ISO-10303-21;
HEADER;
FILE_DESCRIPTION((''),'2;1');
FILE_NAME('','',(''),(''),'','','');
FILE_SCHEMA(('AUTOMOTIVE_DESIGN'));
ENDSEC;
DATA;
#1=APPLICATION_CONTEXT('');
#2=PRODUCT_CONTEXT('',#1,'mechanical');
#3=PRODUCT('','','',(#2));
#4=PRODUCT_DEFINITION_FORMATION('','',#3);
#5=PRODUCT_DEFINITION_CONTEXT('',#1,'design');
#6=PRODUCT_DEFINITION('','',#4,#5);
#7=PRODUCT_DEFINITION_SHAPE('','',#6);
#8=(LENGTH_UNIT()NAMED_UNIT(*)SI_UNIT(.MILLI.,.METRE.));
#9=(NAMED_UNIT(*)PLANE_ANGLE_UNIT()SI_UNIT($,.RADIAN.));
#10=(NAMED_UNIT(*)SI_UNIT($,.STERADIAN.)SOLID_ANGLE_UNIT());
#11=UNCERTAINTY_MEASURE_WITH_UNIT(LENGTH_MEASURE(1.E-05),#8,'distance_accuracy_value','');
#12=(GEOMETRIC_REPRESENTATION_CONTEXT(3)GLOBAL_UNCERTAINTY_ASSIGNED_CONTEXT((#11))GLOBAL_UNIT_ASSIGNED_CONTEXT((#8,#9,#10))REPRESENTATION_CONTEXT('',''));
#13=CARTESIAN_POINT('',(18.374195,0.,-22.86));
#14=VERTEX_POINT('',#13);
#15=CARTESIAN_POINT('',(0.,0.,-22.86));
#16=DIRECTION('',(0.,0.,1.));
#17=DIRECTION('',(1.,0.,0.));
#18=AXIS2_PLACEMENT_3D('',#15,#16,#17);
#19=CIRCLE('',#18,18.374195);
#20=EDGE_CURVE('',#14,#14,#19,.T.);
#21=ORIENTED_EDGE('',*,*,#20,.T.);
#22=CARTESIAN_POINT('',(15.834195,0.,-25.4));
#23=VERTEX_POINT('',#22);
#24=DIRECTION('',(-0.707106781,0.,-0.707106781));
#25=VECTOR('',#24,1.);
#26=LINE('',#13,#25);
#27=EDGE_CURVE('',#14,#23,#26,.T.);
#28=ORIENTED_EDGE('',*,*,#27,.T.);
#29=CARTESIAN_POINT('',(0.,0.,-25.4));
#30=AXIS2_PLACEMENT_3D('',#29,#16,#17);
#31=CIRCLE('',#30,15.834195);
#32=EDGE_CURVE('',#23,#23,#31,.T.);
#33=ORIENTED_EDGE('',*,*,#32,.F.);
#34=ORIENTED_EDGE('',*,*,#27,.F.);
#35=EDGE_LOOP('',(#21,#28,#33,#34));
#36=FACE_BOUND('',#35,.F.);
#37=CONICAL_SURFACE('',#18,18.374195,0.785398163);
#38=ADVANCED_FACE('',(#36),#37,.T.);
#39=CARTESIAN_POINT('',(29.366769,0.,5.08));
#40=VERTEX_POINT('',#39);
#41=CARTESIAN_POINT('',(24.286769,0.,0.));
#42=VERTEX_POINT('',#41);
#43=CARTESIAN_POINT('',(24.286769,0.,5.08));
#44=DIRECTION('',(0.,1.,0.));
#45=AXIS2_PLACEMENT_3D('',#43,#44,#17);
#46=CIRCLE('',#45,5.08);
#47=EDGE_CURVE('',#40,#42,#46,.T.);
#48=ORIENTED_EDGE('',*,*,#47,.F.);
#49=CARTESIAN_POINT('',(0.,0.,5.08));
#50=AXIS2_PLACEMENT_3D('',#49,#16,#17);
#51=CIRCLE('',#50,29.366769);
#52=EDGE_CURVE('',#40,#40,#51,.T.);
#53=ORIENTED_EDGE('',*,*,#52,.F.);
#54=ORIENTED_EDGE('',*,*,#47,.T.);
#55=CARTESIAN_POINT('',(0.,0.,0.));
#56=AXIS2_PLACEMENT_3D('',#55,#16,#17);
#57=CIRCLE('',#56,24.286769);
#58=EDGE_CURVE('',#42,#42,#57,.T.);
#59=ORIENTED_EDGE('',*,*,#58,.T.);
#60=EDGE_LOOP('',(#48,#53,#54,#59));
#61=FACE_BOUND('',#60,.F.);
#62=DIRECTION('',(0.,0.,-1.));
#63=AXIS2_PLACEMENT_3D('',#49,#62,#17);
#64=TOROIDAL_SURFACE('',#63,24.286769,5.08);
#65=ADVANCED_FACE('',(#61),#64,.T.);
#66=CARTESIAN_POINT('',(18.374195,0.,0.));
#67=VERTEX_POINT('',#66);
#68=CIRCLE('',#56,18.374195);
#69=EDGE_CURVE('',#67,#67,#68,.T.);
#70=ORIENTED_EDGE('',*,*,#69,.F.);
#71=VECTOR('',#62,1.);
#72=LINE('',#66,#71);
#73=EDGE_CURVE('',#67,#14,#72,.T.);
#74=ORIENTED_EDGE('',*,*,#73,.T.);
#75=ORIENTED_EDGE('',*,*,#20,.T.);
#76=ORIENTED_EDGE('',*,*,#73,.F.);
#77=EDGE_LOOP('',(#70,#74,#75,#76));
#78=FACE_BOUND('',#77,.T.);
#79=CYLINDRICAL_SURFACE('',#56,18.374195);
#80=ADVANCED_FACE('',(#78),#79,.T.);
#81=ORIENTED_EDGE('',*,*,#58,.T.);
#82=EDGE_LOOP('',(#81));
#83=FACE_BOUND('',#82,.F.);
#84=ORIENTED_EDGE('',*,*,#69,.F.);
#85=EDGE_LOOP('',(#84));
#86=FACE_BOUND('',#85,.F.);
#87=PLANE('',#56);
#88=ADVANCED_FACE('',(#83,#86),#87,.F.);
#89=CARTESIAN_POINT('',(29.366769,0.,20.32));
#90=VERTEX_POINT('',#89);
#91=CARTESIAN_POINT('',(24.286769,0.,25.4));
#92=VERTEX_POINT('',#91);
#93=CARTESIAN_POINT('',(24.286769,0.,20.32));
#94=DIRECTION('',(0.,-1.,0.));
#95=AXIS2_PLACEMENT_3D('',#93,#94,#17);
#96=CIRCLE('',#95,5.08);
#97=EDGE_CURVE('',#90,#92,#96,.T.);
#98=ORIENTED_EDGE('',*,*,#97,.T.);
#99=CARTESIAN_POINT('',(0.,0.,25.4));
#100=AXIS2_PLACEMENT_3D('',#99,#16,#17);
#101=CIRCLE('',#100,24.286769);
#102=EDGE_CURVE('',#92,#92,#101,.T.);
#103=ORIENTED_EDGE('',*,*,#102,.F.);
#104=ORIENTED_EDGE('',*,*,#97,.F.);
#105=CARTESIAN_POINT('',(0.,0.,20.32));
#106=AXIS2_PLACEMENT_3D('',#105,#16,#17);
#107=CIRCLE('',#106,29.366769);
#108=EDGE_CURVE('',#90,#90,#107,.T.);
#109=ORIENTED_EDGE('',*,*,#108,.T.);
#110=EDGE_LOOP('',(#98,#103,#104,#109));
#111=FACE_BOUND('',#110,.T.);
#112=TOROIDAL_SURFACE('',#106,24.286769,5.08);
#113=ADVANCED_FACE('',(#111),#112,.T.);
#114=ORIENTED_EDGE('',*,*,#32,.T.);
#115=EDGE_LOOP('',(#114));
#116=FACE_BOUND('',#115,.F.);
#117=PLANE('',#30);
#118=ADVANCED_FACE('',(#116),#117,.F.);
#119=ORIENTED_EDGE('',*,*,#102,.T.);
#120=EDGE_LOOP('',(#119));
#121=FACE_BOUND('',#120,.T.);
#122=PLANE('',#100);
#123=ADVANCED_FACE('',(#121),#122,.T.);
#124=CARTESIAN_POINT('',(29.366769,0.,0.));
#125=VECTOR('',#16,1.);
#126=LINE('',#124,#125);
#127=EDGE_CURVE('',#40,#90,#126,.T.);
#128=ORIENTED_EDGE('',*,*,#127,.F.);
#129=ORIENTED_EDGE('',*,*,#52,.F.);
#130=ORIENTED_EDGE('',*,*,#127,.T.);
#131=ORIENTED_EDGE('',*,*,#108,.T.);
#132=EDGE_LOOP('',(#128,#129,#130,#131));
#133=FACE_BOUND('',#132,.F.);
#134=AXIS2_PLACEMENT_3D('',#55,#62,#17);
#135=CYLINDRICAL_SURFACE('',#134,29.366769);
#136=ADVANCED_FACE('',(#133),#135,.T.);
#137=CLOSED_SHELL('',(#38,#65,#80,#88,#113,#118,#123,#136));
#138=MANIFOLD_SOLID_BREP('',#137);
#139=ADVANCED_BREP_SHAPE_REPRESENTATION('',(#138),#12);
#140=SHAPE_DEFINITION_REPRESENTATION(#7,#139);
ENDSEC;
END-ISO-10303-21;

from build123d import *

# Parameters (mm, degrees)
F0_R     = 18.374195
F1_DEPTH = 25.4
F2_R     = 29.366769
F3_DEPTH = 25.4
F4_R     = 5.08
F5_R     = 5.08
F6_SIZE  = 2.54


with BuildPart() as f1:
    # F0 (on Top) → F1 (new body)
    with BuildSketch(Plane.XY):
        Circle(F0_R)
    extrude(amount=-F1_DEPTH)

    # F2 (on Top) → F3 (join)
    with BuildSketch(Plane.XY):
        Circle(F2_R)
    extrude(amount=F3_DEPTH)

    # F4
    f4_edges = [f1.edges().sort_by_distance(p)[0] for p in [
        (-29.366769, 0, 25.4),
    ]]
    fillet(f4_edges, radius=F4_R)

    # F5
    f5_edges = [f1.edges().sort_by_distance(p)[0] for p in [
        (-29.366769, 0, 0),
    ]]
    fillet(f5_edges, radius=F5_R)

    # F6
    f6_edges = [f1.edges().sort_by_distance(p)[0] for p in [
        (-18.374195, 0, -25.4),
    ]]
    chamfer(f6_edges, length=F6_SIZE)


solid = f1.part
